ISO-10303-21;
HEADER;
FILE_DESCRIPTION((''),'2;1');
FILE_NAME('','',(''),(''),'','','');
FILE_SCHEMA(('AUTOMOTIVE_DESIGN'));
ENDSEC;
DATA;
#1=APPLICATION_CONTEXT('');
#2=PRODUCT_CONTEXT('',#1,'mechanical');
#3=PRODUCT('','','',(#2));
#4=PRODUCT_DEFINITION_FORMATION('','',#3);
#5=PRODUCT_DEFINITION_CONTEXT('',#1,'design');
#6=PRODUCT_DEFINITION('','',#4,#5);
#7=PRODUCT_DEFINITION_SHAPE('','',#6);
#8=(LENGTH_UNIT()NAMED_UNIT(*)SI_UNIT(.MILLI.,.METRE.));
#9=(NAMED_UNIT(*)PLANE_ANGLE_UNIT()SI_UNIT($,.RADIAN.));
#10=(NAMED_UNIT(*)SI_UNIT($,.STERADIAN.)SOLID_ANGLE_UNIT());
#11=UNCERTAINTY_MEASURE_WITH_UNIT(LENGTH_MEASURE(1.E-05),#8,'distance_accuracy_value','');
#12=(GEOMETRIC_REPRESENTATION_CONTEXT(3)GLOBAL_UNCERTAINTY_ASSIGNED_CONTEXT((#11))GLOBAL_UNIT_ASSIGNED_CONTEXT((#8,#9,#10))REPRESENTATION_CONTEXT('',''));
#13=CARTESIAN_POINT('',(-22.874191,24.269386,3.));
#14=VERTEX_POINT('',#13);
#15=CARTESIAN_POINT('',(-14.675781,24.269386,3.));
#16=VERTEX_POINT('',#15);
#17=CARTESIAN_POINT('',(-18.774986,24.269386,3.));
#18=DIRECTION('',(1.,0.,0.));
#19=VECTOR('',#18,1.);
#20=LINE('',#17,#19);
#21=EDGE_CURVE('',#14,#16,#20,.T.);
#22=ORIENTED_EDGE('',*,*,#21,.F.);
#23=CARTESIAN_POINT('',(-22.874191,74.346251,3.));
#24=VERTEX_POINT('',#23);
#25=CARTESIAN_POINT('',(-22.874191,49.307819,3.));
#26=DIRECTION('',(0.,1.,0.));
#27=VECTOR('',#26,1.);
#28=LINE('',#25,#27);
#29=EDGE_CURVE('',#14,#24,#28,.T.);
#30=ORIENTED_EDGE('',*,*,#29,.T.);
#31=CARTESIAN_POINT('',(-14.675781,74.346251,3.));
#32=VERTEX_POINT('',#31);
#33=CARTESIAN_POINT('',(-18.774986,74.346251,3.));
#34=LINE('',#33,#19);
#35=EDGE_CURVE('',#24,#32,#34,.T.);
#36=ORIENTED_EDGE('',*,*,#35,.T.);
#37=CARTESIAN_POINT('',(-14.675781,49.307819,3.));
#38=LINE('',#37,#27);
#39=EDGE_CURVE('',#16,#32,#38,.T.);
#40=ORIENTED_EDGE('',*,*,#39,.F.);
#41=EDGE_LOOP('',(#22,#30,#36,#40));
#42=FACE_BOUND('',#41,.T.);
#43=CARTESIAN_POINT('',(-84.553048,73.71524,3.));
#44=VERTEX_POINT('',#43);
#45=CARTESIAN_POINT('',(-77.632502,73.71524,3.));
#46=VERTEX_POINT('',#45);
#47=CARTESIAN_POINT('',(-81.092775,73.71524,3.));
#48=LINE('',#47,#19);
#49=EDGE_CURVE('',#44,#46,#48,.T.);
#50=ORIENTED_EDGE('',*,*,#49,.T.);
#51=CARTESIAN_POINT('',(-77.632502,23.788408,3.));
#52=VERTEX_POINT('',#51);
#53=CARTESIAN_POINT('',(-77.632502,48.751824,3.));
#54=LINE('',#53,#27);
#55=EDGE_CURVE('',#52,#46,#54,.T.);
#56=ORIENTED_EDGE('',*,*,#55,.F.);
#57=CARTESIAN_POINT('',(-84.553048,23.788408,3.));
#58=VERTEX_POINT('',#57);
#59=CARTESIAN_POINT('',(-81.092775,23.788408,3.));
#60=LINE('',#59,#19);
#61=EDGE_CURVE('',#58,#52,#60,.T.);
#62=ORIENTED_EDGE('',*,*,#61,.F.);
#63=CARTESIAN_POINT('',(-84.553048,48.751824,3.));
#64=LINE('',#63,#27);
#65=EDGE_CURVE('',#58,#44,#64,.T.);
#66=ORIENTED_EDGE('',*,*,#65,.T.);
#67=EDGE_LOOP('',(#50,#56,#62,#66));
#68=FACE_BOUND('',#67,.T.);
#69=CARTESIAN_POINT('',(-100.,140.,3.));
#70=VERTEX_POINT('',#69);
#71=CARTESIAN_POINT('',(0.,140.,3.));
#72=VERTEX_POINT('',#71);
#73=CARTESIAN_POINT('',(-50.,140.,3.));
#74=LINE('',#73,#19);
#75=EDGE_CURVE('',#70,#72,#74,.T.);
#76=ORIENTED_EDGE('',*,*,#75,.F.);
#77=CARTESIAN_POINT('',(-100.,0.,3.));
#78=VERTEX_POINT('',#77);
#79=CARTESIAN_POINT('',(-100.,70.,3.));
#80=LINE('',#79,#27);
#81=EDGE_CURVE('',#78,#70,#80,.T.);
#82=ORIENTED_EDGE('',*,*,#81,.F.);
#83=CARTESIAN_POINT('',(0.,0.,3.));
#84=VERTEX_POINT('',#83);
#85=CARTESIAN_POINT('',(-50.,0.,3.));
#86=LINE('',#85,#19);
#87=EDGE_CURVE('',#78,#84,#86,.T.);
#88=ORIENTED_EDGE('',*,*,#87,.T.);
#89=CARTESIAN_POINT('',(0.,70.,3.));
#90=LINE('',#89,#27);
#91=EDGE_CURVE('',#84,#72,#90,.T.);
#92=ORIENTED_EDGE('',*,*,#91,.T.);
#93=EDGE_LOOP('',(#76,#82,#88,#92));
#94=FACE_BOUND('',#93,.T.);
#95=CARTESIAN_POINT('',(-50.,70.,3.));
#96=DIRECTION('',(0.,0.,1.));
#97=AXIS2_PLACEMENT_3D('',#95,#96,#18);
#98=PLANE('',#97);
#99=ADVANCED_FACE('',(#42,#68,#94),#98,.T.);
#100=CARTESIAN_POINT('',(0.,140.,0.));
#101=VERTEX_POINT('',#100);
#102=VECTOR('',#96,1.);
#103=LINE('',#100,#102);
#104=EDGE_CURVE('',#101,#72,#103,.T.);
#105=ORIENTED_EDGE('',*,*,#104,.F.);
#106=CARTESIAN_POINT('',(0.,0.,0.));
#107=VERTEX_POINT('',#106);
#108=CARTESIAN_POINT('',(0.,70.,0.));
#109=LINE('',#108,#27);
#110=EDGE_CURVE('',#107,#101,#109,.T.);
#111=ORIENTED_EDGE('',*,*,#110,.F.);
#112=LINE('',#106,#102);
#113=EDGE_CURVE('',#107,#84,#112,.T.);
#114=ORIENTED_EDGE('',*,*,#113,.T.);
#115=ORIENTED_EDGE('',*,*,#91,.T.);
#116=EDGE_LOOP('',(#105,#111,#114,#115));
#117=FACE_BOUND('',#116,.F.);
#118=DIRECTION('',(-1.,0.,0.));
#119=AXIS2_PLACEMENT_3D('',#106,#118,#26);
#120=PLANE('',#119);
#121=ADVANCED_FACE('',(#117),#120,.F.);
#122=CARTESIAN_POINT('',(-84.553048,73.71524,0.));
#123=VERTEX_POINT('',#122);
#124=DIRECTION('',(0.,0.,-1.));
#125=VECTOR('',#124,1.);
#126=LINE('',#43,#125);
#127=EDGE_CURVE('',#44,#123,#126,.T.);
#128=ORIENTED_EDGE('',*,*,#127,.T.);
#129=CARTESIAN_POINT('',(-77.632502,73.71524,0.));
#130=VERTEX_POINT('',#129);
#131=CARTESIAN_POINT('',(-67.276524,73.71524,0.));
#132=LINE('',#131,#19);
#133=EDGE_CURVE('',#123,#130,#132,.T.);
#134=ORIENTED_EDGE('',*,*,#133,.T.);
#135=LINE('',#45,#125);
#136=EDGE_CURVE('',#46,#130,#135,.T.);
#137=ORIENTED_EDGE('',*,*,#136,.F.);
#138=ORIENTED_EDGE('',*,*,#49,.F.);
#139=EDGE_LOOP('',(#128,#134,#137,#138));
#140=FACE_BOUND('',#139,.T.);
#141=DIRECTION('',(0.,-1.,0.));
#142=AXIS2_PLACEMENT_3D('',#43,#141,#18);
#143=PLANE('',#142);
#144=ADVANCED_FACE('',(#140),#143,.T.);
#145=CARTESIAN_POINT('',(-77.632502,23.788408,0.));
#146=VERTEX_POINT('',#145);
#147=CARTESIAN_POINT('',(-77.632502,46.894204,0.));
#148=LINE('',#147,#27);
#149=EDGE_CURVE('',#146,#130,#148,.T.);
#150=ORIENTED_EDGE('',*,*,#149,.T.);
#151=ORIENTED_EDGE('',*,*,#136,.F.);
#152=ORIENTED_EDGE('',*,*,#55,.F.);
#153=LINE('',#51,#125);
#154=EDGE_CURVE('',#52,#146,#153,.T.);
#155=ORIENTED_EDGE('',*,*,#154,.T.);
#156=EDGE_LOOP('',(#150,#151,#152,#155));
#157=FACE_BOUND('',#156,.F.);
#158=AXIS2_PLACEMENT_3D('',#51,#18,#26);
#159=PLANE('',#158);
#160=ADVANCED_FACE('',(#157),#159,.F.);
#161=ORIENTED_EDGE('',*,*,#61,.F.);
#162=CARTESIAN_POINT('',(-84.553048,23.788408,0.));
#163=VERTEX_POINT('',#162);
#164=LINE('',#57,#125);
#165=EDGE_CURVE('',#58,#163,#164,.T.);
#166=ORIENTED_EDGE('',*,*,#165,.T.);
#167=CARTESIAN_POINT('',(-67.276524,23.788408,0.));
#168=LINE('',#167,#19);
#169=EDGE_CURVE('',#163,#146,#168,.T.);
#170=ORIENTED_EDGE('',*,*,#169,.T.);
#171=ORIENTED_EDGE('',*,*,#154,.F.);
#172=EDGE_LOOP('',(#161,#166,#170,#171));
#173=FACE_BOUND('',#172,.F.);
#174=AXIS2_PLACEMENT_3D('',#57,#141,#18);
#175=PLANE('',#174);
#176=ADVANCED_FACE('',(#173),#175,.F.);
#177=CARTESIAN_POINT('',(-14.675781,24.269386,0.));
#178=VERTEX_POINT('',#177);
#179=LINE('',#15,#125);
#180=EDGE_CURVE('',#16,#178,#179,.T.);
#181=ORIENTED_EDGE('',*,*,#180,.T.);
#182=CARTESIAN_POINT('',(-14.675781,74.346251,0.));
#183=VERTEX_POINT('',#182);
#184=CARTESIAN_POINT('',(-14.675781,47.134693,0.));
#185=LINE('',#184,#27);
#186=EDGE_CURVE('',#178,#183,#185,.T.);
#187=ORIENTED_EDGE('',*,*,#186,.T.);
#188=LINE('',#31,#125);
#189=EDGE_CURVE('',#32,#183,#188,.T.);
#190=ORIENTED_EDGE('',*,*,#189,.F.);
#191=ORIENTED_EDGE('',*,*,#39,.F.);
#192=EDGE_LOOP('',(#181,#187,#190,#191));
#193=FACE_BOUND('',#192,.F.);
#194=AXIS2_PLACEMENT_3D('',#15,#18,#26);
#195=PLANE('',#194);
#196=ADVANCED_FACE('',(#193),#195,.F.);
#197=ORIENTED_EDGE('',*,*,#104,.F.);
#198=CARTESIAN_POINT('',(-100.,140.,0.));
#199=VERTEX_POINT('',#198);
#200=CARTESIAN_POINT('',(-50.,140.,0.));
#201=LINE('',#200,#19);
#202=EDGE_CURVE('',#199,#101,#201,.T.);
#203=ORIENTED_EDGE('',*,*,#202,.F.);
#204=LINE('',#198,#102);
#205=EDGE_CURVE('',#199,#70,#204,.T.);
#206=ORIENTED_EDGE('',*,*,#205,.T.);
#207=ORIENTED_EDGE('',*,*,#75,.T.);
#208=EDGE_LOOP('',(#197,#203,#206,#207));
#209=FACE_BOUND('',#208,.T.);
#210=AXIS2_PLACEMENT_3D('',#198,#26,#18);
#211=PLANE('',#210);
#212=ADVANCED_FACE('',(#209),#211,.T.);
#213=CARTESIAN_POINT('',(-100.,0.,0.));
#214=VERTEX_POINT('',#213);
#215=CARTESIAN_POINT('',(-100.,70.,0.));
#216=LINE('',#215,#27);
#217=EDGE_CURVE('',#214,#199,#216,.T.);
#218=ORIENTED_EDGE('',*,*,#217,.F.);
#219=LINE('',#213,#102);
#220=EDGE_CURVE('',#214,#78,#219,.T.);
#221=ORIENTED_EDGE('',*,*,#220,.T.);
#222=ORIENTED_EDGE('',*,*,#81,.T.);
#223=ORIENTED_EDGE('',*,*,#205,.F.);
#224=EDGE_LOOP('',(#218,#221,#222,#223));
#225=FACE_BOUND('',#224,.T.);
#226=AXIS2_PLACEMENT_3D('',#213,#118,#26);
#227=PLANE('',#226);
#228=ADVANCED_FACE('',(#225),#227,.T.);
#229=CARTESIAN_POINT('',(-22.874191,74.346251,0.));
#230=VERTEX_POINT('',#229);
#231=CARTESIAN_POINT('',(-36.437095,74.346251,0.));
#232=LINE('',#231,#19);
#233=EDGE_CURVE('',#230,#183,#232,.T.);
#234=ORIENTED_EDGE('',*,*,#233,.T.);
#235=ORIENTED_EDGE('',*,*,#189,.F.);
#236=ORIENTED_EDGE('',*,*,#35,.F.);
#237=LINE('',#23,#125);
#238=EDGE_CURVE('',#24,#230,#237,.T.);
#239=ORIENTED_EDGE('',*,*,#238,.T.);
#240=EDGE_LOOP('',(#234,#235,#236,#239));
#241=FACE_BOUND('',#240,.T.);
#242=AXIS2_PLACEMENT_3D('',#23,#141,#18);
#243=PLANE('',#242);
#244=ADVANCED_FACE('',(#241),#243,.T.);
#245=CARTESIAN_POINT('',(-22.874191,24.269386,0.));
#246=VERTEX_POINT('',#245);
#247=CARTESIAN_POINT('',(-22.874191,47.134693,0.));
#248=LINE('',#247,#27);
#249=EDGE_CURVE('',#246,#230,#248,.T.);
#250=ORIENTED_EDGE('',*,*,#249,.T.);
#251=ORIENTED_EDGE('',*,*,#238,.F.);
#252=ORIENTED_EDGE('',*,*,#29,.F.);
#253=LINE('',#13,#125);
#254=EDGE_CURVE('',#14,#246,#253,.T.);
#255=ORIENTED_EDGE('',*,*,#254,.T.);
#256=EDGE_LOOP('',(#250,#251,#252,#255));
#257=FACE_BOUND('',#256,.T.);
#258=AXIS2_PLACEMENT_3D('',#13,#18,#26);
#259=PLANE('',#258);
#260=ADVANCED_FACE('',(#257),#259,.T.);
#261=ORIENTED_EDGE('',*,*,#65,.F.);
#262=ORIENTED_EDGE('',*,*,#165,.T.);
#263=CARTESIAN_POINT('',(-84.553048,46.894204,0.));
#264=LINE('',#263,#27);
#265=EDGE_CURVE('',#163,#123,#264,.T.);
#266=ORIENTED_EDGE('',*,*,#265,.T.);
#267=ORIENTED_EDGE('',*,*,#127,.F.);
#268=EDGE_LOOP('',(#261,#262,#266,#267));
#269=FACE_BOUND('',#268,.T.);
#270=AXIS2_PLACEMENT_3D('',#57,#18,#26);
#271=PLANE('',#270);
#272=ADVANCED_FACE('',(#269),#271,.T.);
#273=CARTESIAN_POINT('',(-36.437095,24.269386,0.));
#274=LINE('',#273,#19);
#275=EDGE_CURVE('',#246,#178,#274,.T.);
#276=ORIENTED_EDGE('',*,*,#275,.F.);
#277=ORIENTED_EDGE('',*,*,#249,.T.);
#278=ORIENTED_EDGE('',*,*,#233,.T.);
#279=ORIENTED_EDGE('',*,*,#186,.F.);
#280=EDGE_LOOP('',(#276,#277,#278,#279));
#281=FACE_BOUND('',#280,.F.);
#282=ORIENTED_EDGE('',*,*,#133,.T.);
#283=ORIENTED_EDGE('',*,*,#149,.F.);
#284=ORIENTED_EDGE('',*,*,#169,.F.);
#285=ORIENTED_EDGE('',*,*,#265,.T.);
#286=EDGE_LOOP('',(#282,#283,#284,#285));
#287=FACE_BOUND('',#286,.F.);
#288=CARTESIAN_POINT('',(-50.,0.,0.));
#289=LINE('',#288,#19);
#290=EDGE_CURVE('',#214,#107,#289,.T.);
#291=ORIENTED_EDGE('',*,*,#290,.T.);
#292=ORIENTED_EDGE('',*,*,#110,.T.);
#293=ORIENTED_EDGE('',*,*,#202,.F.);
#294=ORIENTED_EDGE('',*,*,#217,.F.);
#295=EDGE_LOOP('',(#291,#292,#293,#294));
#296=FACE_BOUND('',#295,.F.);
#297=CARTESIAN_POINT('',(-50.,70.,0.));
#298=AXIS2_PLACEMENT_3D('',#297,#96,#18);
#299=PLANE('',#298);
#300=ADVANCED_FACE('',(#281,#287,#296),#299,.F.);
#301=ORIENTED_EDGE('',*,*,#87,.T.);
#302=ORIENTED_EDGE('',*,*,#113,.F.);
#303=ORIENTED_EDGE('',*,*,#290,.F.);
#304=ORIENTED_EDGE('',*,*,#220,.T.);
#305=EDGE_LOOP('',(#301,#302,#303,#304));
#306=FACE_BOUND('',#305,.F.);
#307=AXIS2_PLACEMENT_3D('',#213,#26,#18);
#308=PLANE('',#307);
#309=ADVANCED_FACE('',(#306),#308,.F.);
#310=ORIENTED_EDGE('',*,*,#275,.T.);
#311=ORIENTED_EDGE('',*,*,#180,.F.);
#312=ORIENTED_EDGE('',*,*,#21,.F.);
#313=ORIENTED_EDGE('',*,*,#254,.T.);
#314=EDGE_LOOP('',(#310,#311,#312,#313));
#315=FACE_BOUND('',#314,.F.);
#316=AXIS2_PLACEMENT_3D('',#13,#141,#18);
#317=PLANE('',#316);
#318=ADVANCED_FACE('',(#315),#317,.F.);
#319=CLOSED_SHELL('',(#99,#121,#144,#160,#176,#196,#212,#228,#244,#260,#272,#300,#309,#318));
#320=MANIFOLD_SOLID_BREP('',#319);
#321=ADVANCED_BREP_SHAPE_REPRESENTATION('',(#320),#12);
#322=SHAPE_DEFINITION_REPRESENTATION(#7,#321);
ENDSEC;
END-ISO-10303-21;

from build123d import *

# Parameters (mm, degrees)
F0_W     = 100
F0_H     = 140
F1_DEPTH = 3
F2_W     = 6.920546
F2_H     = 49.926833
F2_W_2   = 8.19841
F2_H_2   = 50.076865
F3_DEPTH = 25


with BuildPart() as f1:
    # F0 (on Top) → F1 (new body)
    with BuildSketch(Plane.XY):
        with Locations((-50, 70)):
            Rectangle(F0_W, F0_H)
    extrude(amount=F1_DEPTH)

    # F2 (on face) → F3 (cut)
    with BuildSketch(Plane.XY.offset(3)):
        with Locations((-81.092775, 48.751824)):
            Rectangle(F2_W, F2_H)
        with Locations((-18.774986, 49.307819)):
            Rectangle(F2_W_2, F2_H_2)
    extrude(amount=-F3_DEPTH, mode=Mode.SUBTRACT)


solid = f1.part
